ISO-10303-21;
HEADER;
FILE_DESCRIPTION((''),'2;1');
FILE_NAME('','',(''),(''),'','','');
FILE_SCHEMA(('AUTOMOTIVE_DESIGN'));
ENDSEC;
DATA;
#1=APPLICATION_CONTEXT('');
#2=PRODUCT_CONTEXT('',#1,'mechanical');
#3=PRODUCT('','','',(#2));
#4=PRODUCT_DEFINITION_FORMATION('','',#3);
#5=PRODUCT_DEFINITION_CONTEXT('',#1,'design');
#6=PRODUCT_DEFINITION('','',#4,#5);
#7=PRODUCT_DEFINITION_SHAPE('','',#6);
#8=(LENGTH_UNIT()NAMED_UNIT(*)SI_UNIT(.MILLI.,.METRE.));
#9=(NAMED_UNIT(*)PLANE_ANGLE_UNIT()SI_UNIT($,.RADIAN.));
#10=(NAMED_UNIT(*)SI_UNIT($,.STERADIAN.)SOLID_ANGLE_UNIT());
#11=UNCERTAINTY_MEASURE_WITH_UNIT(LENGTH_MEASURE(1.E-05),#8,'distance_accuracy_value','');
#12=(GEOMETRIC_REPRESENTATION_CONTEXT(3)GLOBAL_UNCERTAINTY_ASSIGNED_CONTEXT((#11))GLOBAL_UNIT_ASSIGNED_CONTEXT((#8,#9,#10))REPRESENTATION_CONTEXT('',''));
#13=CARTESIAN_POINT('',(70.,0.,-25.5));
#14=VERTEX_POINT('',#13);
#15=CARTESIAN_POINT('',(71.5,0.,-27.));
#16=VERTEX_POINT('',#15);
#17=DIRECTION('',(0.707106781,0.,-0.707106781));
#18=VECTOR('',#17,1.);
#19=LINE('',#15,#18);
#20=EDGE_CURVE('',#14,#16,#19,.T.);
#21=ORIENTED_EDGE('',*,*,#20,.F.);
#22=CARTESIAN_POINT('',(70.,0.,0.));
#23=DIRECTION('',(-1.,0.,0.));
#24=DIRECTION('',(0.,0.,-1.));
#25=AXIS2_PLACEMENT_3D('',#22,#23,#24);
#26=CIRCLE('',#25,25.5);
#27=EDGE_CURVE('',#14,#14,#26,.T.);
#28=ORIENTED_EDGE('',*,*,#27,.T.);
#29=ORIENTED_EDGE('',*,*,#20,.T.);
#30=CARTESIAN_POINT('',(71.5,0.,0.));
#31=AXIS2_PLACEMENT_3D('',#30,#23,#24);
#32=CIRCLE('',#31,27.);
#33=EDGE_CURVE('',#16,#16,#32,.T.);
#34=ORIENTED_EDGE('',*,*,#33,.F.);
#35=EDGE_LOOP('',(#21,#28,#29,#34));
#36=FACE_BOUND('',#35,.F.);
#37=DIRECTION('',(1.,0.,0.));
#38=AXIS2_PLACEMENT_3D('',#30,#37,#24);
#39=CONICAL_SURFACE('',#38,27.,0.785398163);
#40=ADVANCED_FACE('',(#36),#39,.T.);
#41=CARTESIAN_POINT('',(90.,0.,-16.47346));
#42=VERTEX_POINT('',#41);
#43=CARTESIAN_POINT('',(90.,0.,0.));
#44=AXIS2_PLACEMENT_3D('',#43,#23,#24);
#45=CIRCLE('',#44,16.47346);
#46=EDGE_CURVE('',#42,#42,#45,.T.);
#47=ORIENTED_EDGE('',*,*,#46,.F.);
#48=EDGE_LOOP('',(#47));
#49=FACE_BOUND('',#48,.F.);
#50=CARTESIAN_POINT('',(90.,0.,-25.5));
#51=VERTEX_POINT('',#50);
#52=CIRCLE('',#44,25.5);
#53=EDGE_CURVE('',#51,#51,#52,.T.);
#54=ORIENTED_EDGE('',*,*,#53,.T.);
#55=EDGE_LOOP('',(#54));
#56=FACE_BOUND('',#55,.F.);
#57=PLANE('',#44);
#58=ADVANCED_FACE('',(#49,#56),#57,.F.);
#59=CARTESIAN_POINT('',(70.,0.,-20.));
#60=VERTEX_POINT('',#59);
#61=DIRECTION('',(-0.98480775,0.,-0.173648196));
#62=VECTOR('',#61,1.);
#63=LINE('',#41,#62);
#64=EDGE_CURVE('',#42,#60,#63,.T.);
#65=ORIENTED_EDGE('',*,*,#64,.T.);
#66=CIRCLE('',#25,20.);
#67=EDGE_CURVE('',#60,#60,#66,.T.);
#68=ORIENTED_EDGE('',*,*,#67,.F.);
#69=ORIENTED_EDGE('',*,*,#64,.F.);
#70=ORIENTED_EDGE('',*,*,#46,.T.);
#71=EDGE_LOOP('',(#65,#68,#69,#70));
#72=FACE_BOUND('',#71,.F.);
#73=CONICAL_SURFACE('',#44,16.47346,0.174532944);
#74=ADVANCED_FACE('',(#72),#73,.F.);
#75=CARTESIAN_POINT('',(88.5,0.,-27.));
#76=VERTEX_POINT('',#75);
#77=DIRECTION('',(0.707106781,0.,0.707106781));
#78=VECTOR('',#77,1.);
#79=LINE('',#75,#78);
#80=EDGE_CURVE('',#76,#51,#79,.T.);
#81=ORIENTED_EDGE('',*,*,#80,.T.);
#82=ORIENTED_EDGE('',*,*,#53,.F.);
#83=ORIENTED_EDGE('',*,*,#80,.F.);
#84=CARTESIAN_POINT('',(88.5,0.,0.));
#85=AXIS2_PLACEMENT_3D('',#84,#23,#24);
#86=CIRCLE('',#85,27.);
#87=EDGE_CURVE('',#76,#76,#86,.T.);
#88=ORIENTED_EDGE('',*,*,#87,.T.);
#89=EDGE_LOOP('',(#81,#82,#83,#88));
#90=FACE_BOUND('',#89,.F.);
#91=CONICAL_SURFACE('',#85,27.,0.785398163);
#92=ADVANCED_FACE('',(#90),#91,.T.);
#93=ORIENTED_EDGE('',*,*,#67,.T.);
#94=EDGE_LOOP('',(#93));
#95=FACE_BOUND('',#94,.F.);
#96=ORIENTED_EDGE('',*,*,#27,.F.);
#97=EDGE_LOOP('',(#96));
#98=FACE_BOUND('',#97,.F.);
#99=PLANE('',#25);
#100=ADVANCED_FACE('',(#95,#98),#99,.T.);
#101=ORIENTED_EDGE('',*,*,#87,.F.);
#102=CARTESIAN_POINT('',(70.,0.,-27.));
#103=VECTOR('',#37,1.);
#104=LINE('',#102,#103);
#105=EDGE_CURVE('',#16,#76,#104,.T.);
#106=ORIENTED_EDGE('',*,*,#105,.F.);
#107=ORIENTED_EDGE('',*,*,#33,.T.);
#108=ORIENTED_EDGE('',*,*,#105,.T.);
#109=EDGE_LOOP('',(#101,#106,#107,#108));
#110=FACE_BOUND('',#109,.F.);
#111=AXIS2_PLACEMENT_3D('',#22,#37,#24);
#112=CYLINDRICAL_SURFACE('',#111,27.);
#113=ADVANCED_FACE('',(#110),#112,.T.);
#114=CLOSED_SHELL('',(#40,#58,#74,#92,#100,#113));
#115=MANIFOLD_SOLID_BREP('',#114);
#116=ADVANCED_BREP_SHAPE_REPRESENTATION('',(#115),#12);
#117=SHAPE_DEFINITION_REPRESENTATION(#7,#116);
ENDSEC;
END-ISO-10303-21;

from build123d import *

# Parameters (mm, degrees)
F3_SIZE = 1.5


with BuildPart() as f2:
    # F1 (on Front) → F2 (revolve)
    with BuildSketch(Plane.XZ):
        Polygon((70, -20), (70, -27), (90, -27), (90, -20), (90, -16.47346), align=None)
    revolve(axis=Axis((79.5, 0, 0), (-1, 0, 0)))

    # F3
    f3_edges = [f2.edges().sort_by_distance(p)[0] for p in [
        (70, 0, 27),
        (90, 0, 27),
    ]]
    chamfer(f3_edges, length=F3_SIZE)


solid = f2.part
